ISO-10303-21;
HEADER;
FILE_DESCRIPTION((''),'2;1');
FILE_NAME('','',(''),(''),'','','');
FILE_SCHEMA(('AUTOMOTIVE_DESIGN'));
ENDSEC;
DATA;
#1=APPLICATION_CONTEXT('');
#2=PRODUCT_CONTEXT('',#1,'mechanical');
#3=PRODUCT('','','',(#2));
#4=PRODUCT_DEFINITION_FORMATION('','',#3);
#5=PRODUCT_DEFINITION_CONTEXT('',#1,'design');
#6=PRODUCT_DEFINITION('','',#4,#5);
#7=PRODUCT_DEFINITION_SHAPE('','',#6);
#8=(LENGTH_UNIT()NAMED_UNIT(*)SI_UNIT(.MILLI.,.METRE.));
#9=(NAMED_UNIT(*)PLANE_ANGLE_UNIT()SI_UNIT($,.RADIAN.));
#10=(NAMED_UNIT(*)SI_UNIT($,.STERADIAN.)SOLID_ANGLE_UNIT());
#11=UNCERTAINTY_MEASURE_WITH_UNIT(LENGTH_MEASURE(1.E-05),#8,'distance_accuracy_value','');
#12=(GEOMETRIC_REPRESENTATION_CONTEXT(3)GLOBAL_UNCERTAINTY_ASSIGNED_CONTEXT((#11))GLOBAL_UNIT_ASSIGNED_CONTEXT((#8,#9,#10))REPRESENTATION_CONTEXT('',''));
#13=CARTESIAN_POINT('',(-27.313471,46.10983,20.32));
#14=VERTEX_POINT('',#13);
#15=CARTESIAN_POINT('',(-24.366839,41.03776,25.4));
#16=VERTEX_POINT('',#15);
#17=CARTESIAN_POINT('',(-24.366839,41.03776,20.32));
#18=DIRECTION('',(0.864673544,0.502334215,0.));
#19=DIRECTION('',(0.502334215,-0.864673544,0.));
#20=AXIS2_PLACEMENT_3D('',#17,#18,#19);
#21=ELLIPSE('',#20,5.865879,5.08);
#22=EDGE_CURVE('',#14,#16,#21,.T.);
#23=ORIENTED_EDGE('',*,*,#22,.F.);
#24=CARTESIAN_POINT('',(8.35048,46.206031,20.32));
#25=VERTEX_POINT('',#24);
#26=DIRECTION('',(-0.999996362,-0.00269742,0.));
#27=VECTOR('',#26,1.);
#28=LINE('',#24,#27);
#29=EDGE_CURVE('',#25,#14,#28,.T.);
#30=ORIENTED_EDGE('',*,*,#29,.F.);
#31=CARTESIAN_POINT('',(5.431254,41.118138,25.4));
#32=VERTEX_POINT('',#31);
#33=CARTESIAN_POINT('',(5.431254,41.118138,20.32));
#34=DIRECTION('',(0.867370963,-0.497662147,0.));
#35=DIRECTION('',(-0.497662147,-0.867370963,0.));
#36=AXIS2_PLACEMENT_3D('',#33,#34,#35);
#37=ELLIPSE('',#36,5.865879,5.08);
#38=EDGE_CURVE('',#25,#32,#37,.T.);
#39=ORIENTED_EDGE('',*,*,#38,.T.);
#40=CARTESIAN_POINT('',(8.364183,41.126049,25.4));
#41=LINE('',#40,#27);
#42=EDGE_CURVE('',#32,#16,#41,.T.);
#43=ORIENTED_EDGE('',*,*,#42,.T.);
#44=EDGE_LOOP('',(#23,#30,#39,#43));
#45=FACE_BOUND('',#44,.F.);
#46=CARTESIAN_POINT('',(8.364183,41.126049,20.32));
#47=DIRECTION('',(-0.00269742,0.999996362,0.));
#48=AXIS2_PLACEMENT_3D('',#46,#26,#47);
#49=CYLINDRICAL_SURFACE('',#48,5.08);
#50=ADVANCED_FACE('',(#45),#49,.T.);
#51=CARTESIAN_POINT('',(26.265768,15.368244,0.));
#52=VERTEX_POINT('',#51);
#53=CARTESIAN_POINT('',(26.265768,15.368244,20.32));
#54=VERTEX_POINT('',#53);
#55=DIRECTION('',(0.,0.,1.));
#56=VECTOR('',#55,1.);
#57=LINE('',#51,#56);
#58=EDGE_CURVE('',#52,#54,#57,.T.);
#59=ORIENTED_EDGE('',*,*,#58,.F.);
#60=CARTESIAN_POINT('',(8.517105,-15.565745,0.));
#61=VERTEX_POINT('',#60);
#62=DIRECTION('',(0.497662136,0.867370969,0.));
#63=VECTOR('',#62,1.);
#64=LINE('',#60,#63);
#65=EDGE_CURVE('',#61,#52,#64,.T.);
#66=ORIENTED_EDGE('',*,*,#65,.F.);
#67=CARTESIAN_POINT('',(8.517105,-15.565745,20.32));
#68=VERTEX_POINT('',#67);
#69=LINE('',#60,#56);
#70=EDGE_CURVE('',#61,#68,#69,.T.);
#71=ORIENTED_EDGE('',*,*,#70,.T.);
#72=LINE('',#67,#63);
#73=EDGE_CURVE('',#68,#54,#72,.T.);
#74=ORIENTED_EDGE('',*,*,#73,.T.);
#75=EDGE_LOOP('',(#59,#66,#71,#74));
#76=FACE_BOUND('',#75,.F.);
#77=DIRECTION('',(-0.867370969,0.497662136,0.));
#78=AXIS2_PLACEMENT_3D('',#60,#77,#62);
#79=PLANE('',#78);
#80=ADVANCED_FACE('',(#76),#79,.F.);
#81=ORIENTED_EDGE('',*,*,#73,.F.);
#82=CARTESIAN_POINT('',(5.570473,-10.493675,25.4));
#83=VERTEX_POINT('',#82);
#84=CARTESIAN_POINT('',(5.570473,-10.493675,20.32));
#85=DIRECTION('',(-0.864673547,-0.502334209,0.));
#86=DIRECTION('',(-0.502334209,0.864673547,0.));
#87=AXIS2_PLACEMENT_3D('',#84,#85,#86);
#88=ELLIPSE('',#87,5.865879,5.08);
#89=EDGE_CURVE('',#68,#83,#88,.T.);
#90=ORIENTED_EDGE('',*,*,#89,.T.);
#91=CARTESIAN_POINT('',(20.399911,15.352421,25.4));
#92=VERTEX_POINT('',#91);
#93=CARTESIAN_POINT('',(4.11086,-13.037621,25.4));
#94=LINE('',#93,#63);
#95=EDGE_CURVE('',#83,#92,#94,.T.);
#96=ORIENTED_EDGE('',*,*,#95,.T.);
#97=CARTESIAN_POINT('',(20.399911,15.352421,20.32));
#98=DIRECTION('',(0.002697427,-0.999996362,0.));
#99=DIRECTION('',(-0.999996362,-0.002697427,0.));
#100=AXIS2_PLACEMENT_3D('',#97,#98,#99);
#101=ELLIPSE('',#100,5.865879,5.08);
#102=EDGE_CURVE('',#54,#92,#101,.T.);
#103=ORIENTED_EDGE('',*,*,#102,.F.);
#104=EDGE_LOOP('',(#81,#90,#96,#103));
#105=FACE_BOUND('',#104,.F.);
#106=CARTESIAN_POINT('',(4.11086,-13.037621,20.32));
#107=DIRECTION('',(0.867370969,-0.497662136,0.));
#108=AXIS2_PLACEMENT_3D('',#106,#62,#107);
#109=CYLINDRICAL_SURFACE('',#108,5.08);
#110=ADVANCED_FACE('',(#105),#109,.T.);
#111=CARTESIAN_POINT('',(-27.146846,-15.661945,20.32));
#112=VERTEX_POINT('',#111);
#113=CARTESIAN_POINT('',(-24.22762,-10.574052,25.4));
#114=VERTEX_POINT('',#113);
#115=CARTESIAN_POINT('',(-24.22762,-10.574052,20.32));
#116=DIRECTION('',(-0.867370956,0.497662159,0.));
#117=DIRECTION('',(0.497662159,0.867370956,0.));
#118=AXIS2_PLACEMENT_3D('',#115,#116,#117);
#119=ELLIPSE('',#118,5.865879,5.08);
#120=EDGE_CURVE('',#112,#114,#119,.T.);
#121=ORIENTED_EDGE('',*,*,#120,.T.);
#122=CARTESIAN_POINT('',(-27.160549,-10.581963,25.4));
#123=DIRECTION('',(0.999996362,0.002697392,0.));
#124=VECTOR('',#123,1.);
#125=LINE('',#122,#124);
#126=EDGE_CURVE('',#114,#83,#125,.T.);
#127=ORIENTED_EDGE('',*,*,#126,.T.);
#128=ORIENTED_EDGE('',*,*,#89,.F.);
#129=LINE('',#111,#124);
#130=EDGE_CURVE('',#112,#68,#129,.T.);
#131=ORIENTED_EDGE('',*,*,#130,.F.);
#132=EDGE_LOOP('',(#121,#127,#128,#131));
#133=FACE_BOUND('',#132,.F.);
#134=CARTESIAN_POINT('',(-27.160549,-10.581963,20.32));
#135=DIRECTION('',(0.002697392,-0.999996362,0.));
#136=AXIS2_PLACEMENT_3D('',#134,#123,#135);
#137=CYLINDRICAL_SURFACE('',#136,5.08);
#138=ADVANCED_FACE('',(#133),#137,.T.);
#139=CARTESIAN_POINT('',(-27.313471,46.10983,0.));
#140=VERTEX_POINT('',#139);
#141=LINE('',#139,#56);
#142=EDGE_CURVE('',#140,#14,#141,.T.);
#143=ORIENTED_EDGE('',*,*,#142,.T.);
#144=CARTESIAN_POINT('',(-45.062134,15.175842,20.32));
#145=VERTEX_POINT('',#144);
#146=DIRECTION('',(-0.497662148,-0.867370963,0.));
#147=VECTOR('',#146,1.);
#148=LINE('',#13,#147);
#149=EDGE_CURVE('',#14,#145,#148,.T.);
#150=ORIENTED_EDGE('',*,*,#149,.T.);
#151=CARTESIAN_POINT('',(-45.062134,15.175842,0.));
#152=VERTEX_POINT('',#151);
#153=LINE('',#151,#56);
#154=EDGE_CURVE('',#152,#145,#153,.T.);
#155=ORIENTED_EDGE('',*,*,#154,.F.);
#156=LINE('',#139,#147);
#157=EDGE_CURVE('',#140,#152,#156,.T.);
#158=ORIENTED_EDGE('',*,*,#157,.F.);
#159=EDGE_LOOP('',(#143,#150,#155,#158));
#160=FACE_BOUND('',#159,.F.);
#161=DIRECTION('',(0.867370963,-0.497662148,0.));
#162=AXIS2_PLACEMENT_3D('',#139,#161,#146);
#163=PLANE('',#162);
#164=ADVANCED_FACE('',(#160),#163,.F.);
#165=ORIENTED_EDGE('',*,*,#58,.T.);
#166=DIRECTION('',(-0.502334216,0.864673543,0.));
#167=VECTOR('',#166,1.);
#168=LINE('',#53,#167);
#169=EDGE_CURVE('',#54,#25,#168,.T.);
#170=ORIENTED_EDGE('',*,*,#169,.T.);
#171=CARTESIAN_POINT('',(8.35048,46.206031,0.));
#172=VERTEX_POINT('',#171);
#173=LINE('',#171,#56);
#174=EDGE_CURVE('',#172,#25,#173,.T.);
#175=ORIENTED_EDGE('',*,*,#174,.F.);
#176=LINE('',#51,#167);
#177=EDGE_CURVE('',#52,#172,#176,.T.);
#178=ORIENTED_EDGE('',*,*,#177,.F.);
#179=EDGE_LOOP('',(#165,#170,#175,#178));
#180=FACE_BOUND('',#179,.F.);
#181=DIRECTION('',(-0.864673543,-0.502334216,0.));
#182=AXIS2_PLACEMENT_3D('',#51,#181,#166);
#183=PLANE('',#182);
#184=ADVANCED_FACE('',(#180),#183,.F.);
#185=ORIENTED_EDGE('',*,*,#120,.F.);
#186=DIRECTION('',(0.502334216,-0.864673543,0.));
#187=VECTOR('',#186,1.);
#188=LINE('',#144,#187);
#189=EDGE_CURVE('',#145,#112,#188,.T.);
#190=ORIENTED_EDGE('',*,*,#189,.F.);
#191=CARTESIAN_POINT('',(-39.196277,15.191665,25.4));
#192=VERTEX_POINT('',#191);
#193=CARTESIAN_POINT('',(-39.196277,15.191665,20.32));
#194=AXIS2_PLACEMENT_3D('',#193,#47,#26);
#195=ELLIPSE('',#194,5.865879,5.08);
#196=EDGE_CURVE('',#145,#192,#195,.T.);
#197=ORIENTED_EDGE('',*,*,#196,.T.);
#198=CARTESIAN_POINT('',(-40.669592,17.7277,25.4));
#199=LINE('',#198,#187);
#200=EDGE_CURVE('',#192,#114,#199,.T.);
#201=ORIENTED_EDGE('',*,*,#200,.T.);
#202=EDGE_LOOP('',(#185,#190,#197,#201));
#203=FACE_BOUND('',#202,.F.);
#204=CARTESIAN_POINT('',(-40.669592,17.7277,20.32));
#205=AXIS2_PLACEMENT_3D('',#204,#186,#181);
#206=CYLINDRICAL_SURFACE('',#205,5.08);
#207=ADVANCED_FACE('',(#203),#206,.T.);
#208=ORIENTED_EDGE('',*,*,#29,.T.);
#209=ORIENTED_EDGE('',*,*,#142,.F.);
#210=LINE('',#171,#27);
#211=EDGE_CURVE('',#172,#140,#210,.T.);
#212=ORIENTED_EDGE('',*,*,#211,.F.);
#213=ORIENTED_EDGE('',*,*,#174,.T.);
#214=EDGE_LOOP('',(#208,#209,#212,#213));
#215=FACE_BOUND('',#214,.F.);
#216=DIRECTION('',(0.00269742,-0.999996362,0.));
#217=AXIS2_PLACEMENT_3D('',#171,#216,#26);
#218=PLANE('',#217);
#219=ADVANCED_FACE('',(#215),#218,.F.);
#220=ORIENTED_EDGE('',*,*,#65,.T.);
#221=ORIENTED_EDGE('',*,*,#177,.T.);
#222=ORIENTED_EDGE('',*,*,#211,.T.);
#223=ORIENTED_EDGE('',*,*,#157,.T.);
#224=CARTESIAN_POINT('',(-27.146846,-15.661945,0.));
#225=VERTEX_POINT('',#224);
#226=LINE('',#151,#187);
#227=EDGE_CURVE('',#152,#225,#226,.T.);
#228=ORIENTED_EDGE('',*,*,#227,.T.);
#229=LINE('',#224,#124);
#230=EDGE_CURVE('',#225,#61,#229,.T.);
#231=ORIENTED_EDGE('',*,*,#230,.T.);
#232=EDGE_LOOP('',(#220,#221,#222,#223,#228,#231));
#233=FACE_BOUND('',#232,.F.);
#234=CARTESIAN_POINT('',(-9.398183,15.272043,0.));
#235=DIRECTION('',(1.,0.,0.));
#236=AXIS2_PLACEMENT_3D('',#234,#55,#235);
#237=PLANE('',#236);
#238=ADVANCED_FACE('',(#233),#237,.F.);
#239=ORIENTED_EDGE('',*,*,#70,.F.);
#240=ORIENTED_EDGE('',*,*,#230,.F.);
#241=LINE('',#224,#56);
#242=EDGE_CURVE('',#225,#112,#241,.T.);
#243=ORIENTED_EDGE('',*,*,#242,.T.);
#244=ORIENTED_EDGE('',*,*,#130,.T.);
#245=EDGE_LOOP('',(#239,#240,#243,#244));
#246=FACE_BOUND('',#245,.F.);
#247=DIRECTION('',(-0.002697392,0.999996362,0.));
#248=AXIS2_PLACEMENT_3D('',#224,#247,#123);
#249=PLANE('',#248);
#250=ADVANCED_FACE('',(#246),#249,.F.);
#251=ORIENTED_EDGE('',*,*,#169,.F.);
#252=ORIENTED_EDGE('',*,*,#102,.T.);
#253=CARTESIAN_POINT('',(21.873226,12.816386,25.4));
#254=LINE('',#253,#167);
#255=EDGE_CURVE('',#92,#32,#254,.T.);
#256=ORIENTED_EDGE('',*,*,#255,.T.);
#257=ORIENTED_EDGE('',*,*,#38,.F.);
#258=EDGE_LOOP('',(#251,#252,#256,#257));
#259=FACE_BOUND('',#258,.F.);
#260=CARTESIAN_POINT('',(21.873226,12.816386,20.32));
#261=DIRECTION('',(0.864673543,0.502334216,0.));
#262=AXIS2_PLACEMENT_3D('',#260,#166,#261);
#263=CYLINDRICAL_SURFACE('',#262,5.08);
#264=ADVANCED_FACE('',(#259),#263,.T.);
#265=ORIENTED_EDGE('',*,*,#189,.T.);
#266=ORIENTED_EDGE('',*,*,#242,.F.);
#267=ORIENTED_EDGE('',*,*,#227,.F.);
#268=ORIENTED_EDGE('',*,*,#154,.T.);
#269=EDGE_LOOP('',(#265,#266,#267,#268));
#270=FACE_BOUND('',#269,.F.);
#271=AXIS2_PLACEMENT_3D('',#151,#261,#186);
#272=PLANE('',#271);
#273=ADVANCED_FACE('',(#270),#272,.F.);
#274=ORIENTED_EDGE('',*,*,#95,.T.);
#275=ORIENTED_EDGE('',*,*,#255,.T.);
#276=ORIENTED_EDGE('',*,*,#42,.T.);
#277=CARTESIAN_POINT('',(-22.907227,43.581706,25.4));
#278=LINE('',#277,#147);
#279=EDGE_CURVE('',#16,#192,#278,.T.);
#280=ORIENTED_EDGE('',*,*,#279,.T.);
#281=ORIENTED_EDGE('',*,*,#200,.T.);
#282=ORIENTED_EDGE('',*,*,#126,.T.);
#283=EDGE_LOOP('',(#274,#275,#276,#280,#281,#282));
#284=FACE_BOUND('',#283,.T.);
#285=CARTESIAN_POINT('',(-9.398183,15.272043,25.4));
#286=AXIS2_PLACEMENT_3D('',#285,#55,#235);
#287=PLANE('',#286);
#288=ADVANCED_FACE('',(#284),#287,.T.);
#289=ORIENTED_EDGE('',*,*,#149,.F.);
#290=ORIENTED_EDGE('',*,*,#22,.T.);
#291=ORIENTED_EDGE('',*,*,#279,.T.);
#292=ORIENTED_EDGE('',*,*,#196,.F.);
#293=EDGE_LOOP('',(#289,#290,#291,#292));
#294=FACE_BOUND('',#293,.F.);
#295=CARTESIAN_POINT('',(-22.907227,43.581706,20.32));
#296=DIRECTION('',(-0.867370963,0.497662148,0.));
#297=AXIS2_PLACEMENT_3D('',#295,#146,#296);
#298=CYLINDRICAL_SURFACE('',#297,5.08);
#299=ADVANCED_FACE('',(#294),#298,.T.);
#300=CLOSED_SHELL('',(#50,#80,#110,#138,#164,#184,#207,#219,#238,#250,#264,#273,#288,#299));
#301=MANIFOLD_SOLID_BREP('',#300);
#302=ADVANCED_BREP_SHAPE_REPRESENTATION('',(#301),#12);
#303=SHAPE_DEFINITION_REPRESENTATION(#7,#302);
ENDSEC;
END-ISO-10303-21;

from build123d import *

# Parameters (mm, degrees)
F1_DEPTH = 25.4
F2_R     = 5.08


with BuildPart() as f1:
    # F0 (on Top) → F1 (new body)
    with BuildSketch(Plane.XY):
        Polygon((-27.146846, -15.661945), (8.517105, -15.565745), (26.265768, 15.368244), (8.35048, 46.206031), (-27.313471, 46.10983), (-45.062134, 15.175842), align=None)
    extrude(amount=F1_DEPTH)

    # F2
    f2_edges = [f1.edges().sort_by_distance(p)[0] for p in [
        (-36.187802, 30.642836, 25.4),
        (-9.481495, 46.15793, 25.4),
        (17.308124, 30.787137, 25.4),
        (17.391437, -0.098751, 25.4),
        (-9.31487, -15.613845, 25.4),
        (-36.10449, -0.243052, 25.4),
    ]]
    fillet(f2_edges, radius=F2_R)


solid = f1.part
